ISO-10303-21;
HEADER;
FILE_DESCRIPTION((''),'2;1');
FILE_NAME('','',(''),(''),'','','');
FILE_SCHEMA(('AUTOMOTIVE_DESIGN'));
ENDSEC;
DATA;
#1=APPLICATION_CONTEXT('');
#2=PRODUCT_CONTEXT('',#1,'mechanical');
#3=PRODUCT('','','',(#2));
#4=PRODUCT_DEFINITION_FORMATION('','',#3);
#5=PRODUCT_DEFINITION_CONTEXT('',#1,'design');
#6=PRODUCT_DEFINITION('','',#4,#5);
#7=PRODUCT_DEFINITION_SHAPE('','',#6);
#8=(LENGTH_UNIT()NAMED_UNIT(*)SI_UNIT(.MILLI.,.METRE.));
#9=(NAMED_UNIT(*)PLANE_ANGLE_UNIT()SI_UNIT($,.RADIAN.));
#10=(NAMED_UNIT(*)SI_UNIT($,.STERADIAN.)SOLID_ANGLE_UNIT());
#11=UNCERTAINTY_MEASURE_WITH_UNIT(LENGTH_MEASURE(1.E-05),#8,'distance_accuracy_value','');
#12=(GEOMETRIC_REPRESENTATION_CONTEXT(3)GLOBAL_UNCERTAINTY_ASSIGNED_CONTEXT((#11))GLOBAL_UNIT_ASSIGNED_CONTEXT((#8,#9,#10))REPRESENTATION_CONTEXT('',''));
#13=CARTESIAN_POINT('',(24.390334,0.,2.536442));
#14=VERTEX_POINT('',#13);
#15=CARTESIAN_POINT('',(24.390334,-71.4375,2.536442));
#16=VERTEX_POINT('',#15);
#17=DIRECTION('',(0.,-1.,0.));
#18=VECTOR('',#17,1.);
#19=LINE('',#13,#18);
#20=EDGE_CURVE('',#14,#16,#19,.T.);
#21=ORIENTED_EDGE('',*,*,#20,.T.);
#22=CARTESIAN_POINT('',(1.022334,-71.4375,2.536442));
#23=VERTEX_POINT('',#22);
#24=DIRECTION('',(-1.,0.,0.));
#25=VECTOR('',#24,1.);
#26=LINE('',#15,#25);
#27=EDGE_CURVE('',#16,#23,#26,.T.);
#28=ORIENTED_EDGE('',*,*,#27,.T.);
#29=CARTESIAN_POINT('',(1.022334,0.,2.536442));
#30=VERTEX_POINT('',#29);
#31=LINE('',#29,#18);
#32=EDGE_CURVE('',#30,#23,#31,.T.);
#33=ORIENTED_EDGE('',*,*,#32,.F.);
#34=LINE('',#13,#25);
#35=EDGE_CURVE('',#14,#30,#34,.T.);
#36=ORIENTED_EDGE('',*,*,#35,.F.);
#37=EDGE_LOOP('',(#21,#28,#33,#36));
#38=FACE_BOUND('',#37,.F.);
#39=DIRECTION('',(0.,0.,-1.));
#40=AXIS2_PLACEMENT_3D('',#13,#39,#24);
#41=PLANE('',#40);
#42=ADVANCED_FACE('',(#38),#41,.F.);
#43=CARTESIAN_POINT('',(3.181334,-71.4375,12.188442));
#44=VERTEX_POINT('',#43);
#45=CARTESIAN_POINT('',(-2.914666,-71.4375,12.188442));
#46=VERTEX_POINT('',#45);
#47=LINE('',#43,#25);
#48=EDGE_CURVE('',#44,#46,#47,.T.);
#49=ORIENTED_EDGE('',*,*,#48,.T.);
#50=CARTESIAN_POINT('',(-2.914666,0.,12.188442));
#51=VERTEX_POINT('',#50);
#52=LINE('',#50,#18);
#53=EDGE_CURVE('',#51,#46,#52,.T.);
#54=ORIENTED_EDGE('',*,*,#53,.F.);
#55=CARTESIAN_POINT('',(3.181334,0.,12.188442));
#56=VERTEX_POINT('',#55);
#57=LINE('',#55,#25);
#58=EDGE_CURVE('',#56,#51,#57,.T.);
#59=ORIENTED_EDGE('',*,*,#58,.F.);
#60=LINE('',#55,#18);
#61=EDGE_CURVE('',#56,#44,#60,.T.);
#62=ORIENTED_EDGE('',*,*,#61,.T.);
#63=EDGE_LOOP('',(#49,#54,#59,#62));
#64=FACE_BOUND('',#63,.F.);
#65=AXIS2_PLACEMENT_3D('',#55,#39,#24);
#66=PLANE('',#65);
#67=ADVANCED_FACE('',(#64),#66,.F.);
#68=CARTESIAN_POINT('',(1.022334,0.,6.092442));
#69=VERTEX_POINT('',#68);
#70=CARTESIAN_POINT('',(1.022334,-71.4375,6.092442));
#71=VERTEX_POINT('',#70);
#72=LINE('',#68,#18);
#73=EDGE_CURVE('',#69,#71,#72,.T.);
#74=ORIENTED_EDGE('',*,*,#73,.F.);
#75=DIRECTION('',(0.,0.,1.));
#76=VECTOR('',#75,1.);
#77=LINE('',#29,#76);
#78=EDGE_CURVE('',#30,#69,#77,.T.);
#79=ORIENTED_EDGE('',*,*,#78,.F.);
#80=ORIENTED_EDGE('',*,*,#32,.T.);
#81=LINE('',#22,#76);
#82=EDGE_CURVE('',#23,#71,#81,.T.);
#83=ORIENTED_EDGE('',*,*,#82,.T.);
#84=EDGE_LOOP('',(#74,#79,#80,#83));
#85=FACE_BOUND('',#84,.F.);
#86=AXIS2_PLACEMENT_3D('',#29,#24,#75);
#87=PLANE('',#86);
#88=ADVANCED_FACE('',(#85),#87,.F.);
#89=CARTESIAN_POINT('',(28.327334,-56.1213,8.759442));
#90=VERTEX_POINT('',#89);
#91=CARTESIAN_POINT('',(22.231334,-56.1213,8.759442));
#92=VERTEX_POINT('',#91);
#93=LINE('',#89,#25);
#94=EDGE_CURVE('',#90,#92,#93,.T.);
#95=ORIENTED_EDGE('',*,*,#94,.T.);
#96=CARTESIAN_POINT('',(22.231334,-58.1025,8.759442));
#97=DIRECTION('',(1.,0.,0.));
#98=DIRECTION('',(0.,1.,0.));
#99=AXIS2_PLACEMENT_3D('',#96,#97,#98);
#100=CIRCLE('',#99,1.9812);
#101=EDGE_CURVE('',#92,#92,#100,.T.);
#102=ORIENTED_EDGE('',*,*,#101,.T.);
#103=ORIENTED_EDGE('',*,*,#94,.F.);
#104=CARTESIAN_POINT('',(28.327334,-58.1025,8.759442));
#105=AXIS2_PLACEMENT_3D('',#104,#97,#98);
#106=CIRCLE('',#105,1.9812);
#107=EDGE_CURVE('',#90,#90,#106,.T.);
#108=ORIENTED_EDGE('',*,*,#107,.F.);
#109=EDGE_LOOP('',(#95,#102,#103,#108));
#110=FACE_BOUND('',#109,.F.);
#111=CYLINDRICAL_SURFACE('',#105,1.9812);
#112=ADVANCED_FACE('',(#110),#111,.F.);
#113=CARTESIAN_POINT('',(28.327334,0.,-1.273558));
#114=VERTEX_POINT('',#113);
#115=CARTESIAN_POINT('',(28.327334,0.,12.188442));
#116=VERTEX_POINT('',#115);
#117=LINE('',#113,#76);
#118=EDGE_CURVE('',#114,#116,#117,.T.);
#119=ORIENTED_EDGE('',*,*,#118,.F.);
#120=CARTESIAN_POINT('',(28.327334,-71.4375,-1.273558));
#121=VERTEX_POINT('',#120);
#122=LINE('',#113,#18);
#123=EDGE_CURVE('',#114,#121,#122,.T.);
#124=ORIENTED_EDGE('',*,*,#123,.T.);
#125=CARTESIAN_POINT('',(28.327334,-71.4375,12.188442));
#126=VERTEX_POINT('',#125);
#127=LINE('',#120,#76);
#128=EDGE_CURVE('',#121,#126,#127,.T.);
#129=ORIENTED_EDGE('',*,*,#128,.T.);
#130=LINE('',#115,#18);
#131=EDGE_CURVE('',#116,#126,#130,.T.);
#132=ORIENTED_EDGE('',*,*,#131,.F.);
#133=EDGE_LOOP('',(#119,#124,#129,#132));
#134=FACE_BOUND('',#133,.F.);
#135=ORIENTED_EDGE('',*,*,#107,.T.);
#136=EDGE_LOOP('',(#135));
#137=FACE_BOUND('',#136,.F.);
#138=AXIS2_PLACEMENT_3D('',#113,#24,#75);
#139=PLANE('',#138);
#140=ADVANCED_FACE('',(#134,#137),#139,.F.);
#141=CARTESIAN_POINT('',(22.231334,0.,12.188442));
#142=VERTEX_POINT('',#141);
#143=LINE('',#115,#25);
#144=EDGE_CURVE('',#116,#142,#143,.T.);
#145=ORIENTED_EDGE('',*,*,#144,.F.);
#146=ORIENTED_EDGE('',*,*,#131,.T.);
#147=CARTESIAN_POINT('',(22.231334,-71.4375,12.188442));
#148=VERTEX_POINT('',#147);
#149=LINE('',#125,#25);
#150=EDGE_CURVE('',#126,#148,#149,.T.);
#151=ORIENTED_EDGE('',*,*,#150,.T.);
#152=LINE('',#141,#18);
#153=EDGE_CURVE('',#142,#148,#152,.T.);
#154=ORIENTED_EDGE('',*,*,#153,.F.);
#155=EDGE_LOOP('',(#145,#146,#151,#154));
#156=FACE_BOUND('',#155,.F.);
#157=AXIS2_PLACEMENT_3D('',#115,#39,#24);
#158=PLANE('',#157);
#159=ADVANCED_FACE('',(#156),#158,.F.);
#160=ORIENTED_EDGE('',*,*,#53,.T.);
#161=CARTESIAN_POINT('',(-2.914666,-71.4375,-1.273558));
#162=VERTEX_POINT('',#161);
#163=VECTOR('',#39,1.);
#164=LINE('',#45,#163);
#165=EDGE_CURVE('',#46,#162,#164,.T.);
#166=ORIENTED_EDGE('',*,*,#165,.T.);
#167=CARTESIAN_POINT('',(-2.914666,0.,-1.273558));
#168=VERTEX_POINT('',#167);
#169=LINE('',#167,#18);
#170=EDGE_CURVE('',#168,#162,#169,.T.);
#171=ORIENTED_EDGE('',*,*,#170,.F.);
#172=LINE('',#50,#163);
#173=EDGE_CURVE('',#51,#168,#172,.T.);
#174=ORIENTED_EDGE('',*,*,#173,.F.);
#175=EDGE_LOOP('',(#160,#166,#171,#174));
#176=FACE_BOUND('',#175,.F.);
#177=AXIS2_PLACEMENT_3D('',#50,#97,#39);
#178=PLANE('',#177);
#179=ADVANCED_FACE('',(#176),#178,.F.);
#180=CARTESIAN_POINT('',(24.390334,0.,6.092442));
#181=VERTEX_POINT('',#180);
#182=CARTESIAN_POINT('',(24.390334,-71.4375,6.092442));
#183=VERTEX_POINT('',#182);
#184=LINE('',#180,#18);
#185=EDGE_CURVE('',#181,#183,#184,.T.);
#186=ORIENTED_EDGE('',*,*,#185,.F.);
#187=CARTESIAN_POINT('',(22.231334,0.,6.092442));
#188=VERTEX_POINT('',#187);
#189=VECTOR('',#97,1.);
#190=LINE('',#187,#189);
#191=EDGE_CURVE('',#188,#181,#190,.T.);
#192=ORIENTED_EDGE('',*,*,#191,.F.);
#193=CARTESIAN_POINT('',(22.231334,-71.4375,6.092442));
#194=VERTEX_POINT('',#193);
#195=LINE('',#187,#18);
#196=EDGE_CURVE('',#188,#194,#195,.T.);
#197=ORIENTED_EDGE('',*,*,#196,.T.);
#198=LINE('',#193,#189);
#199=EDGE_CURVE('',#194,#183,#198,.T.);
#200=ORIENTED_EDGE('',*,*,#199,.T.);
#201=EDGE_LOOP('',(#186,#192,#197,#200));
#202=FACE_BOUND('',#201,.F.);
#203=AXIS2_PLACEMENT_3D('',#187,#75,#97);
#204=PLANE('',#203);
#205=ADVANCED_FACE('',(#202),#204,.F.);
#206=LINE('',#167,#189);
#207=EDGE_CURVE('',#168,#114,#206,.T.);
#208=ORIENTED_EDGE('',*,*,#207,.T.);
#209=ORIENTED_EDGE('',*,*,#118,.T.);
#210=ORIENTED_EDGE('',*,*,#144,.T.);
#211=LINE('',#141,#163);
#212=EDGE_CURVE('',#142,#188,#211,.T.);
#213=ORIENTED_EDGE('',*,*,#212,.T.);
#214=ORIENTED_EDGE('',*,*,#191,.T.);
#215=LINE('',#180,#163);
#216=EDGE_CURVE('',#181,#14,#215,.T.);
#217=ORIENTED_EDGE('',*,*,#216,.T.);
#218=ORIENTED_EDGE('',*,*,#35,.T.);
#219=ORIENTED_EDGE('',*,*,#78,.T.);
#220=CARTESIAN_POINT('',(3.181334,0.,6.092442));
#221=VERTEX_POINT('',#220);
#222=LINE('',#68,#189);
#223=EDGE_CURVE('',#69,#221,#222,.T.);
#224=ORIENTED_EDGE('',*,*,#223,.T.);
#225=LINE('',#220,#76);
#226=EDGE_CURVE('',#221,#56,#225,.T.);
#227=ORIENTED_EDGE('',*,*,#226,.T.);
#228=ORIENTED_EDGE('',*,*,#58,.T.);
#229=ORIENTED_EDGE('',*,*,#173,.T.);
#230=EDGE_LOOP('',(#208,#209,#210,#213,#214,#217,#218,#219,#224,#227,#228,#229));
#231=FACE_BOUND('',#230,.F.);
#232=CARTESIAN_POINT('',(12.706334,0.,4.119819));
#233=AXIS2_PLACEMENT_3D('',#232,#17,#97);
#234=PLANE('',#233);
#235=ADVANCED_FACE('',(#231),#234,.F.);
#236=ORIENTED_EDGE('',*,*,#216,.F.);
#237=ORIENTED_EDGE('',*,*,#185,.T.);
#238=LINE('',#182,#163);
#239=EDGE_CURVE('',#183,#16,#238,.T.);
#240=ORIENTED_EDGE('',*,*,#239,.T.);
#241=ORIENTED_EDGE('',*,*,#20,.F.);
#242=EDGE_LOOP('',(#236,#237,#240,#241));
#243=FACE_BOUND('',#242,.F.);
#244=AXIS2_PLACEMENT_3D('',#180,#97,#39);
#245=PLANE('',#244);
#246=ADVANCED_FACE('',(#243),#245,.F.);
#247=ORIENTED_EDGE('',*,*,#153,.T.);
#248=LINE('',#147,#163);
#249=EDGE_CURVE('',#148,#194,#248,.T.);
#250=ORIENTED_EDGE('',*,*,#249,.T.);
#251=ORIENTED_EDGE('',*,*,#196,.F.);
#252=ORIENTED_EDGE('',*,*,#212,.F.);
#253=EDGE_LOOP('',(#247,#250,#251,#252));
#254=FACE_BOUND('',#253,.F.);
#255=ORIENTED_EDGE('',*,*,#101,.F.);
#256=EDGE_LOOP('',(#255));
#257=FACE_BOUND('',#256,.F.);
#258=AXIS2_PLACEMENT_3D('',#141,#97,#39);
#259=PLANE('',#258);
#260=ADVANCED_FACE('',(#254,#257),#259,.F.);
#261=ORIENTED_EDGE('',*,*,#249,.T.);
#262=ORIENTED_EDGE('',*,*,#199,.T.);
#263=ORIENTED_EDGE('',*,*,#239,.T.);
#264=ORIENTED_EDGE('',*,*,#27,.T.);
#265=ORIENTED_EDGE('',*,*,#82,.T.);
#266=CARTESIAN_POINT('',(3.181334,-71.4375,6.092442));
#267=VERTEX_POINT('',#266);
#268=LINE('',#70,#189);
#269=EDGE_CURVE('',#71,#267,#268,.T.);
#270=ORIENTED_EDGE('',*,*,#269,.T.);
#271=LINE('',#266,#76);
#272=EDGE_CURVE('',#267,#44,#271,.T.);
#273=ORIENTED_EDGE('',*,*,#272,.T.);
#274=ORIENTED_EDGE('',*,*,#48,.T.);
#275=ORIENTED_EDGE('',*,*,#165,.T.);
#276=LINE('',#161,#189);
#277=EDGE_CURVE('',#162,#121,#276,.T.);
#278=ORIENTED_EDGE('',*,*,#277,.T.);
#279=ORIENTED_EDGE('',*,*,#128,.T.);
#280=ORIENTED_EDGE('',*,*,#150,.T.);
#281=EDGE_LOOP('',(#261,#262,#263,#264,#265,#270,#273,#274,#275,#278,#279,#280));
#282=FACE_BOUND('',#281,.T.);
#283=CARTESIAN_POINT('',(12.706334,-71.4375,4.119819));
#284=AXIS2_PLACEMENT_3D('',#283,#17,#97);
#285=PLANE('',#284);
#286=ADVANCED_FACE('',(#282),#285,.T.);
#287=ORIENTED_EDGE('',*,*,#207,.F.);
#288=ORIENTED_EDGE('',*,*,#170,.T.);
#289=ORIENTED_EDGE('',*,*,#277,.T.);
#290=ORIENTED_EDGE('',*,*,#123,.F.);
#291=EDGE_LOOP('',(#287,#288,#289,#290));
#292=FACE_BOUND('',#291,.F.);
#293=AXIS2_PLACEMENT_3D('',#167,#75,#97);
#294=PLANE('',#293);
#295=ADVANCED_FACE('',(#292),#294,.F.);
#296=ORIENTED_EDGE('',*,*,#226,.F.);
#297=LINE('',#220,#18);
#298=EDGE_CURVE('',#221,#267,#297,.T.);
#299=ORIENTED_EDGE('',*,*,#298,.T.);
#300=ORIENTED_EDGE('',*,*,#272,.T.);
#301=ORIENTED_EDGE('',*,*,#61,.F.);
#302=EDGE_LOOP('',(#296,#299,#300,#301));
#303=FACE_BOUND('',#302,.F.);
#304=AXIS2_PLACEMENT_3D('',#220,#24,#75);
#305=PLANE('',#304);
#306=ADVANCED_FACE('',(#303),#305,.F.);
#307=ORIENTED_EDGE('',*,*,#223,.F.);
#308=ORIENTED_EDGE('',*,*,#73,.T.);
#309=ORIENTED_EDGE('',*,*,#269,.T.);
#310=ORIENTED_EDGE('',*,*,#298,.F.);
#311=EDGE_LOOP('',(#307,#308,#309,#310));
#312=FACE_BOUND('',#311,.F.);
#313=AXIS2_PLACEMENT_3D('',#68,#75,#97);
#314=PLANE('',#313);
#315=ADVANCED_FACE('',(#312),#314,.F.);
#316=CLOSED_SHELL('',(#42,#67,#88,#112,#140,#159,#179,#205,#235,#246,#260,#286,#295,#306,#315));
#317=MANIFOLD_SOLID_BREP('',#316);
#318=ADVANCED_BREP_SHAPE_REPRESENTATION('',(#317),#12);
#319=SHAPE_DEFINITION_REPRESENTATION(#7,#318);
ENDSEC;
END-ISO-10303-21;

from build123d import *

# Parameters (mm, degrees)
F1_DEPTH = 71.4375
F2_R     = 1.9812
F3_DEPTH = 6.096


with BuildPart() as f1:
    # F0 (on Front) → F1 (new body)
    with BuildSketch(Plane.XZ):
        Polygon((3.181334, 6.092442), (3.181334, 12.188442), (-2.914666, 12.188442), (-2.914666, -1.273558), (28.327334, -1.273558), (28.327334, 12.188442), (22.231334, 12.188442), (22.231334, 6.092442), (24.390334, 6.092442), (24.390334, 2.536442), (1.022334, 2.536442), (1.022334, 6.092442), align=None)
    extrude(amount=F1_DEPTH)

    # F2 (on face) → F3 (cut, through all)
    with BuildSketch(Plane.YZ.offset(28.327334)):
        with Locations((-58.1025, 8.759442)):
            Circle(F2_R)
    extrude(amount=-F3_DEPTH, mode=Mode.SUBTRACT)


solid = f1.part
